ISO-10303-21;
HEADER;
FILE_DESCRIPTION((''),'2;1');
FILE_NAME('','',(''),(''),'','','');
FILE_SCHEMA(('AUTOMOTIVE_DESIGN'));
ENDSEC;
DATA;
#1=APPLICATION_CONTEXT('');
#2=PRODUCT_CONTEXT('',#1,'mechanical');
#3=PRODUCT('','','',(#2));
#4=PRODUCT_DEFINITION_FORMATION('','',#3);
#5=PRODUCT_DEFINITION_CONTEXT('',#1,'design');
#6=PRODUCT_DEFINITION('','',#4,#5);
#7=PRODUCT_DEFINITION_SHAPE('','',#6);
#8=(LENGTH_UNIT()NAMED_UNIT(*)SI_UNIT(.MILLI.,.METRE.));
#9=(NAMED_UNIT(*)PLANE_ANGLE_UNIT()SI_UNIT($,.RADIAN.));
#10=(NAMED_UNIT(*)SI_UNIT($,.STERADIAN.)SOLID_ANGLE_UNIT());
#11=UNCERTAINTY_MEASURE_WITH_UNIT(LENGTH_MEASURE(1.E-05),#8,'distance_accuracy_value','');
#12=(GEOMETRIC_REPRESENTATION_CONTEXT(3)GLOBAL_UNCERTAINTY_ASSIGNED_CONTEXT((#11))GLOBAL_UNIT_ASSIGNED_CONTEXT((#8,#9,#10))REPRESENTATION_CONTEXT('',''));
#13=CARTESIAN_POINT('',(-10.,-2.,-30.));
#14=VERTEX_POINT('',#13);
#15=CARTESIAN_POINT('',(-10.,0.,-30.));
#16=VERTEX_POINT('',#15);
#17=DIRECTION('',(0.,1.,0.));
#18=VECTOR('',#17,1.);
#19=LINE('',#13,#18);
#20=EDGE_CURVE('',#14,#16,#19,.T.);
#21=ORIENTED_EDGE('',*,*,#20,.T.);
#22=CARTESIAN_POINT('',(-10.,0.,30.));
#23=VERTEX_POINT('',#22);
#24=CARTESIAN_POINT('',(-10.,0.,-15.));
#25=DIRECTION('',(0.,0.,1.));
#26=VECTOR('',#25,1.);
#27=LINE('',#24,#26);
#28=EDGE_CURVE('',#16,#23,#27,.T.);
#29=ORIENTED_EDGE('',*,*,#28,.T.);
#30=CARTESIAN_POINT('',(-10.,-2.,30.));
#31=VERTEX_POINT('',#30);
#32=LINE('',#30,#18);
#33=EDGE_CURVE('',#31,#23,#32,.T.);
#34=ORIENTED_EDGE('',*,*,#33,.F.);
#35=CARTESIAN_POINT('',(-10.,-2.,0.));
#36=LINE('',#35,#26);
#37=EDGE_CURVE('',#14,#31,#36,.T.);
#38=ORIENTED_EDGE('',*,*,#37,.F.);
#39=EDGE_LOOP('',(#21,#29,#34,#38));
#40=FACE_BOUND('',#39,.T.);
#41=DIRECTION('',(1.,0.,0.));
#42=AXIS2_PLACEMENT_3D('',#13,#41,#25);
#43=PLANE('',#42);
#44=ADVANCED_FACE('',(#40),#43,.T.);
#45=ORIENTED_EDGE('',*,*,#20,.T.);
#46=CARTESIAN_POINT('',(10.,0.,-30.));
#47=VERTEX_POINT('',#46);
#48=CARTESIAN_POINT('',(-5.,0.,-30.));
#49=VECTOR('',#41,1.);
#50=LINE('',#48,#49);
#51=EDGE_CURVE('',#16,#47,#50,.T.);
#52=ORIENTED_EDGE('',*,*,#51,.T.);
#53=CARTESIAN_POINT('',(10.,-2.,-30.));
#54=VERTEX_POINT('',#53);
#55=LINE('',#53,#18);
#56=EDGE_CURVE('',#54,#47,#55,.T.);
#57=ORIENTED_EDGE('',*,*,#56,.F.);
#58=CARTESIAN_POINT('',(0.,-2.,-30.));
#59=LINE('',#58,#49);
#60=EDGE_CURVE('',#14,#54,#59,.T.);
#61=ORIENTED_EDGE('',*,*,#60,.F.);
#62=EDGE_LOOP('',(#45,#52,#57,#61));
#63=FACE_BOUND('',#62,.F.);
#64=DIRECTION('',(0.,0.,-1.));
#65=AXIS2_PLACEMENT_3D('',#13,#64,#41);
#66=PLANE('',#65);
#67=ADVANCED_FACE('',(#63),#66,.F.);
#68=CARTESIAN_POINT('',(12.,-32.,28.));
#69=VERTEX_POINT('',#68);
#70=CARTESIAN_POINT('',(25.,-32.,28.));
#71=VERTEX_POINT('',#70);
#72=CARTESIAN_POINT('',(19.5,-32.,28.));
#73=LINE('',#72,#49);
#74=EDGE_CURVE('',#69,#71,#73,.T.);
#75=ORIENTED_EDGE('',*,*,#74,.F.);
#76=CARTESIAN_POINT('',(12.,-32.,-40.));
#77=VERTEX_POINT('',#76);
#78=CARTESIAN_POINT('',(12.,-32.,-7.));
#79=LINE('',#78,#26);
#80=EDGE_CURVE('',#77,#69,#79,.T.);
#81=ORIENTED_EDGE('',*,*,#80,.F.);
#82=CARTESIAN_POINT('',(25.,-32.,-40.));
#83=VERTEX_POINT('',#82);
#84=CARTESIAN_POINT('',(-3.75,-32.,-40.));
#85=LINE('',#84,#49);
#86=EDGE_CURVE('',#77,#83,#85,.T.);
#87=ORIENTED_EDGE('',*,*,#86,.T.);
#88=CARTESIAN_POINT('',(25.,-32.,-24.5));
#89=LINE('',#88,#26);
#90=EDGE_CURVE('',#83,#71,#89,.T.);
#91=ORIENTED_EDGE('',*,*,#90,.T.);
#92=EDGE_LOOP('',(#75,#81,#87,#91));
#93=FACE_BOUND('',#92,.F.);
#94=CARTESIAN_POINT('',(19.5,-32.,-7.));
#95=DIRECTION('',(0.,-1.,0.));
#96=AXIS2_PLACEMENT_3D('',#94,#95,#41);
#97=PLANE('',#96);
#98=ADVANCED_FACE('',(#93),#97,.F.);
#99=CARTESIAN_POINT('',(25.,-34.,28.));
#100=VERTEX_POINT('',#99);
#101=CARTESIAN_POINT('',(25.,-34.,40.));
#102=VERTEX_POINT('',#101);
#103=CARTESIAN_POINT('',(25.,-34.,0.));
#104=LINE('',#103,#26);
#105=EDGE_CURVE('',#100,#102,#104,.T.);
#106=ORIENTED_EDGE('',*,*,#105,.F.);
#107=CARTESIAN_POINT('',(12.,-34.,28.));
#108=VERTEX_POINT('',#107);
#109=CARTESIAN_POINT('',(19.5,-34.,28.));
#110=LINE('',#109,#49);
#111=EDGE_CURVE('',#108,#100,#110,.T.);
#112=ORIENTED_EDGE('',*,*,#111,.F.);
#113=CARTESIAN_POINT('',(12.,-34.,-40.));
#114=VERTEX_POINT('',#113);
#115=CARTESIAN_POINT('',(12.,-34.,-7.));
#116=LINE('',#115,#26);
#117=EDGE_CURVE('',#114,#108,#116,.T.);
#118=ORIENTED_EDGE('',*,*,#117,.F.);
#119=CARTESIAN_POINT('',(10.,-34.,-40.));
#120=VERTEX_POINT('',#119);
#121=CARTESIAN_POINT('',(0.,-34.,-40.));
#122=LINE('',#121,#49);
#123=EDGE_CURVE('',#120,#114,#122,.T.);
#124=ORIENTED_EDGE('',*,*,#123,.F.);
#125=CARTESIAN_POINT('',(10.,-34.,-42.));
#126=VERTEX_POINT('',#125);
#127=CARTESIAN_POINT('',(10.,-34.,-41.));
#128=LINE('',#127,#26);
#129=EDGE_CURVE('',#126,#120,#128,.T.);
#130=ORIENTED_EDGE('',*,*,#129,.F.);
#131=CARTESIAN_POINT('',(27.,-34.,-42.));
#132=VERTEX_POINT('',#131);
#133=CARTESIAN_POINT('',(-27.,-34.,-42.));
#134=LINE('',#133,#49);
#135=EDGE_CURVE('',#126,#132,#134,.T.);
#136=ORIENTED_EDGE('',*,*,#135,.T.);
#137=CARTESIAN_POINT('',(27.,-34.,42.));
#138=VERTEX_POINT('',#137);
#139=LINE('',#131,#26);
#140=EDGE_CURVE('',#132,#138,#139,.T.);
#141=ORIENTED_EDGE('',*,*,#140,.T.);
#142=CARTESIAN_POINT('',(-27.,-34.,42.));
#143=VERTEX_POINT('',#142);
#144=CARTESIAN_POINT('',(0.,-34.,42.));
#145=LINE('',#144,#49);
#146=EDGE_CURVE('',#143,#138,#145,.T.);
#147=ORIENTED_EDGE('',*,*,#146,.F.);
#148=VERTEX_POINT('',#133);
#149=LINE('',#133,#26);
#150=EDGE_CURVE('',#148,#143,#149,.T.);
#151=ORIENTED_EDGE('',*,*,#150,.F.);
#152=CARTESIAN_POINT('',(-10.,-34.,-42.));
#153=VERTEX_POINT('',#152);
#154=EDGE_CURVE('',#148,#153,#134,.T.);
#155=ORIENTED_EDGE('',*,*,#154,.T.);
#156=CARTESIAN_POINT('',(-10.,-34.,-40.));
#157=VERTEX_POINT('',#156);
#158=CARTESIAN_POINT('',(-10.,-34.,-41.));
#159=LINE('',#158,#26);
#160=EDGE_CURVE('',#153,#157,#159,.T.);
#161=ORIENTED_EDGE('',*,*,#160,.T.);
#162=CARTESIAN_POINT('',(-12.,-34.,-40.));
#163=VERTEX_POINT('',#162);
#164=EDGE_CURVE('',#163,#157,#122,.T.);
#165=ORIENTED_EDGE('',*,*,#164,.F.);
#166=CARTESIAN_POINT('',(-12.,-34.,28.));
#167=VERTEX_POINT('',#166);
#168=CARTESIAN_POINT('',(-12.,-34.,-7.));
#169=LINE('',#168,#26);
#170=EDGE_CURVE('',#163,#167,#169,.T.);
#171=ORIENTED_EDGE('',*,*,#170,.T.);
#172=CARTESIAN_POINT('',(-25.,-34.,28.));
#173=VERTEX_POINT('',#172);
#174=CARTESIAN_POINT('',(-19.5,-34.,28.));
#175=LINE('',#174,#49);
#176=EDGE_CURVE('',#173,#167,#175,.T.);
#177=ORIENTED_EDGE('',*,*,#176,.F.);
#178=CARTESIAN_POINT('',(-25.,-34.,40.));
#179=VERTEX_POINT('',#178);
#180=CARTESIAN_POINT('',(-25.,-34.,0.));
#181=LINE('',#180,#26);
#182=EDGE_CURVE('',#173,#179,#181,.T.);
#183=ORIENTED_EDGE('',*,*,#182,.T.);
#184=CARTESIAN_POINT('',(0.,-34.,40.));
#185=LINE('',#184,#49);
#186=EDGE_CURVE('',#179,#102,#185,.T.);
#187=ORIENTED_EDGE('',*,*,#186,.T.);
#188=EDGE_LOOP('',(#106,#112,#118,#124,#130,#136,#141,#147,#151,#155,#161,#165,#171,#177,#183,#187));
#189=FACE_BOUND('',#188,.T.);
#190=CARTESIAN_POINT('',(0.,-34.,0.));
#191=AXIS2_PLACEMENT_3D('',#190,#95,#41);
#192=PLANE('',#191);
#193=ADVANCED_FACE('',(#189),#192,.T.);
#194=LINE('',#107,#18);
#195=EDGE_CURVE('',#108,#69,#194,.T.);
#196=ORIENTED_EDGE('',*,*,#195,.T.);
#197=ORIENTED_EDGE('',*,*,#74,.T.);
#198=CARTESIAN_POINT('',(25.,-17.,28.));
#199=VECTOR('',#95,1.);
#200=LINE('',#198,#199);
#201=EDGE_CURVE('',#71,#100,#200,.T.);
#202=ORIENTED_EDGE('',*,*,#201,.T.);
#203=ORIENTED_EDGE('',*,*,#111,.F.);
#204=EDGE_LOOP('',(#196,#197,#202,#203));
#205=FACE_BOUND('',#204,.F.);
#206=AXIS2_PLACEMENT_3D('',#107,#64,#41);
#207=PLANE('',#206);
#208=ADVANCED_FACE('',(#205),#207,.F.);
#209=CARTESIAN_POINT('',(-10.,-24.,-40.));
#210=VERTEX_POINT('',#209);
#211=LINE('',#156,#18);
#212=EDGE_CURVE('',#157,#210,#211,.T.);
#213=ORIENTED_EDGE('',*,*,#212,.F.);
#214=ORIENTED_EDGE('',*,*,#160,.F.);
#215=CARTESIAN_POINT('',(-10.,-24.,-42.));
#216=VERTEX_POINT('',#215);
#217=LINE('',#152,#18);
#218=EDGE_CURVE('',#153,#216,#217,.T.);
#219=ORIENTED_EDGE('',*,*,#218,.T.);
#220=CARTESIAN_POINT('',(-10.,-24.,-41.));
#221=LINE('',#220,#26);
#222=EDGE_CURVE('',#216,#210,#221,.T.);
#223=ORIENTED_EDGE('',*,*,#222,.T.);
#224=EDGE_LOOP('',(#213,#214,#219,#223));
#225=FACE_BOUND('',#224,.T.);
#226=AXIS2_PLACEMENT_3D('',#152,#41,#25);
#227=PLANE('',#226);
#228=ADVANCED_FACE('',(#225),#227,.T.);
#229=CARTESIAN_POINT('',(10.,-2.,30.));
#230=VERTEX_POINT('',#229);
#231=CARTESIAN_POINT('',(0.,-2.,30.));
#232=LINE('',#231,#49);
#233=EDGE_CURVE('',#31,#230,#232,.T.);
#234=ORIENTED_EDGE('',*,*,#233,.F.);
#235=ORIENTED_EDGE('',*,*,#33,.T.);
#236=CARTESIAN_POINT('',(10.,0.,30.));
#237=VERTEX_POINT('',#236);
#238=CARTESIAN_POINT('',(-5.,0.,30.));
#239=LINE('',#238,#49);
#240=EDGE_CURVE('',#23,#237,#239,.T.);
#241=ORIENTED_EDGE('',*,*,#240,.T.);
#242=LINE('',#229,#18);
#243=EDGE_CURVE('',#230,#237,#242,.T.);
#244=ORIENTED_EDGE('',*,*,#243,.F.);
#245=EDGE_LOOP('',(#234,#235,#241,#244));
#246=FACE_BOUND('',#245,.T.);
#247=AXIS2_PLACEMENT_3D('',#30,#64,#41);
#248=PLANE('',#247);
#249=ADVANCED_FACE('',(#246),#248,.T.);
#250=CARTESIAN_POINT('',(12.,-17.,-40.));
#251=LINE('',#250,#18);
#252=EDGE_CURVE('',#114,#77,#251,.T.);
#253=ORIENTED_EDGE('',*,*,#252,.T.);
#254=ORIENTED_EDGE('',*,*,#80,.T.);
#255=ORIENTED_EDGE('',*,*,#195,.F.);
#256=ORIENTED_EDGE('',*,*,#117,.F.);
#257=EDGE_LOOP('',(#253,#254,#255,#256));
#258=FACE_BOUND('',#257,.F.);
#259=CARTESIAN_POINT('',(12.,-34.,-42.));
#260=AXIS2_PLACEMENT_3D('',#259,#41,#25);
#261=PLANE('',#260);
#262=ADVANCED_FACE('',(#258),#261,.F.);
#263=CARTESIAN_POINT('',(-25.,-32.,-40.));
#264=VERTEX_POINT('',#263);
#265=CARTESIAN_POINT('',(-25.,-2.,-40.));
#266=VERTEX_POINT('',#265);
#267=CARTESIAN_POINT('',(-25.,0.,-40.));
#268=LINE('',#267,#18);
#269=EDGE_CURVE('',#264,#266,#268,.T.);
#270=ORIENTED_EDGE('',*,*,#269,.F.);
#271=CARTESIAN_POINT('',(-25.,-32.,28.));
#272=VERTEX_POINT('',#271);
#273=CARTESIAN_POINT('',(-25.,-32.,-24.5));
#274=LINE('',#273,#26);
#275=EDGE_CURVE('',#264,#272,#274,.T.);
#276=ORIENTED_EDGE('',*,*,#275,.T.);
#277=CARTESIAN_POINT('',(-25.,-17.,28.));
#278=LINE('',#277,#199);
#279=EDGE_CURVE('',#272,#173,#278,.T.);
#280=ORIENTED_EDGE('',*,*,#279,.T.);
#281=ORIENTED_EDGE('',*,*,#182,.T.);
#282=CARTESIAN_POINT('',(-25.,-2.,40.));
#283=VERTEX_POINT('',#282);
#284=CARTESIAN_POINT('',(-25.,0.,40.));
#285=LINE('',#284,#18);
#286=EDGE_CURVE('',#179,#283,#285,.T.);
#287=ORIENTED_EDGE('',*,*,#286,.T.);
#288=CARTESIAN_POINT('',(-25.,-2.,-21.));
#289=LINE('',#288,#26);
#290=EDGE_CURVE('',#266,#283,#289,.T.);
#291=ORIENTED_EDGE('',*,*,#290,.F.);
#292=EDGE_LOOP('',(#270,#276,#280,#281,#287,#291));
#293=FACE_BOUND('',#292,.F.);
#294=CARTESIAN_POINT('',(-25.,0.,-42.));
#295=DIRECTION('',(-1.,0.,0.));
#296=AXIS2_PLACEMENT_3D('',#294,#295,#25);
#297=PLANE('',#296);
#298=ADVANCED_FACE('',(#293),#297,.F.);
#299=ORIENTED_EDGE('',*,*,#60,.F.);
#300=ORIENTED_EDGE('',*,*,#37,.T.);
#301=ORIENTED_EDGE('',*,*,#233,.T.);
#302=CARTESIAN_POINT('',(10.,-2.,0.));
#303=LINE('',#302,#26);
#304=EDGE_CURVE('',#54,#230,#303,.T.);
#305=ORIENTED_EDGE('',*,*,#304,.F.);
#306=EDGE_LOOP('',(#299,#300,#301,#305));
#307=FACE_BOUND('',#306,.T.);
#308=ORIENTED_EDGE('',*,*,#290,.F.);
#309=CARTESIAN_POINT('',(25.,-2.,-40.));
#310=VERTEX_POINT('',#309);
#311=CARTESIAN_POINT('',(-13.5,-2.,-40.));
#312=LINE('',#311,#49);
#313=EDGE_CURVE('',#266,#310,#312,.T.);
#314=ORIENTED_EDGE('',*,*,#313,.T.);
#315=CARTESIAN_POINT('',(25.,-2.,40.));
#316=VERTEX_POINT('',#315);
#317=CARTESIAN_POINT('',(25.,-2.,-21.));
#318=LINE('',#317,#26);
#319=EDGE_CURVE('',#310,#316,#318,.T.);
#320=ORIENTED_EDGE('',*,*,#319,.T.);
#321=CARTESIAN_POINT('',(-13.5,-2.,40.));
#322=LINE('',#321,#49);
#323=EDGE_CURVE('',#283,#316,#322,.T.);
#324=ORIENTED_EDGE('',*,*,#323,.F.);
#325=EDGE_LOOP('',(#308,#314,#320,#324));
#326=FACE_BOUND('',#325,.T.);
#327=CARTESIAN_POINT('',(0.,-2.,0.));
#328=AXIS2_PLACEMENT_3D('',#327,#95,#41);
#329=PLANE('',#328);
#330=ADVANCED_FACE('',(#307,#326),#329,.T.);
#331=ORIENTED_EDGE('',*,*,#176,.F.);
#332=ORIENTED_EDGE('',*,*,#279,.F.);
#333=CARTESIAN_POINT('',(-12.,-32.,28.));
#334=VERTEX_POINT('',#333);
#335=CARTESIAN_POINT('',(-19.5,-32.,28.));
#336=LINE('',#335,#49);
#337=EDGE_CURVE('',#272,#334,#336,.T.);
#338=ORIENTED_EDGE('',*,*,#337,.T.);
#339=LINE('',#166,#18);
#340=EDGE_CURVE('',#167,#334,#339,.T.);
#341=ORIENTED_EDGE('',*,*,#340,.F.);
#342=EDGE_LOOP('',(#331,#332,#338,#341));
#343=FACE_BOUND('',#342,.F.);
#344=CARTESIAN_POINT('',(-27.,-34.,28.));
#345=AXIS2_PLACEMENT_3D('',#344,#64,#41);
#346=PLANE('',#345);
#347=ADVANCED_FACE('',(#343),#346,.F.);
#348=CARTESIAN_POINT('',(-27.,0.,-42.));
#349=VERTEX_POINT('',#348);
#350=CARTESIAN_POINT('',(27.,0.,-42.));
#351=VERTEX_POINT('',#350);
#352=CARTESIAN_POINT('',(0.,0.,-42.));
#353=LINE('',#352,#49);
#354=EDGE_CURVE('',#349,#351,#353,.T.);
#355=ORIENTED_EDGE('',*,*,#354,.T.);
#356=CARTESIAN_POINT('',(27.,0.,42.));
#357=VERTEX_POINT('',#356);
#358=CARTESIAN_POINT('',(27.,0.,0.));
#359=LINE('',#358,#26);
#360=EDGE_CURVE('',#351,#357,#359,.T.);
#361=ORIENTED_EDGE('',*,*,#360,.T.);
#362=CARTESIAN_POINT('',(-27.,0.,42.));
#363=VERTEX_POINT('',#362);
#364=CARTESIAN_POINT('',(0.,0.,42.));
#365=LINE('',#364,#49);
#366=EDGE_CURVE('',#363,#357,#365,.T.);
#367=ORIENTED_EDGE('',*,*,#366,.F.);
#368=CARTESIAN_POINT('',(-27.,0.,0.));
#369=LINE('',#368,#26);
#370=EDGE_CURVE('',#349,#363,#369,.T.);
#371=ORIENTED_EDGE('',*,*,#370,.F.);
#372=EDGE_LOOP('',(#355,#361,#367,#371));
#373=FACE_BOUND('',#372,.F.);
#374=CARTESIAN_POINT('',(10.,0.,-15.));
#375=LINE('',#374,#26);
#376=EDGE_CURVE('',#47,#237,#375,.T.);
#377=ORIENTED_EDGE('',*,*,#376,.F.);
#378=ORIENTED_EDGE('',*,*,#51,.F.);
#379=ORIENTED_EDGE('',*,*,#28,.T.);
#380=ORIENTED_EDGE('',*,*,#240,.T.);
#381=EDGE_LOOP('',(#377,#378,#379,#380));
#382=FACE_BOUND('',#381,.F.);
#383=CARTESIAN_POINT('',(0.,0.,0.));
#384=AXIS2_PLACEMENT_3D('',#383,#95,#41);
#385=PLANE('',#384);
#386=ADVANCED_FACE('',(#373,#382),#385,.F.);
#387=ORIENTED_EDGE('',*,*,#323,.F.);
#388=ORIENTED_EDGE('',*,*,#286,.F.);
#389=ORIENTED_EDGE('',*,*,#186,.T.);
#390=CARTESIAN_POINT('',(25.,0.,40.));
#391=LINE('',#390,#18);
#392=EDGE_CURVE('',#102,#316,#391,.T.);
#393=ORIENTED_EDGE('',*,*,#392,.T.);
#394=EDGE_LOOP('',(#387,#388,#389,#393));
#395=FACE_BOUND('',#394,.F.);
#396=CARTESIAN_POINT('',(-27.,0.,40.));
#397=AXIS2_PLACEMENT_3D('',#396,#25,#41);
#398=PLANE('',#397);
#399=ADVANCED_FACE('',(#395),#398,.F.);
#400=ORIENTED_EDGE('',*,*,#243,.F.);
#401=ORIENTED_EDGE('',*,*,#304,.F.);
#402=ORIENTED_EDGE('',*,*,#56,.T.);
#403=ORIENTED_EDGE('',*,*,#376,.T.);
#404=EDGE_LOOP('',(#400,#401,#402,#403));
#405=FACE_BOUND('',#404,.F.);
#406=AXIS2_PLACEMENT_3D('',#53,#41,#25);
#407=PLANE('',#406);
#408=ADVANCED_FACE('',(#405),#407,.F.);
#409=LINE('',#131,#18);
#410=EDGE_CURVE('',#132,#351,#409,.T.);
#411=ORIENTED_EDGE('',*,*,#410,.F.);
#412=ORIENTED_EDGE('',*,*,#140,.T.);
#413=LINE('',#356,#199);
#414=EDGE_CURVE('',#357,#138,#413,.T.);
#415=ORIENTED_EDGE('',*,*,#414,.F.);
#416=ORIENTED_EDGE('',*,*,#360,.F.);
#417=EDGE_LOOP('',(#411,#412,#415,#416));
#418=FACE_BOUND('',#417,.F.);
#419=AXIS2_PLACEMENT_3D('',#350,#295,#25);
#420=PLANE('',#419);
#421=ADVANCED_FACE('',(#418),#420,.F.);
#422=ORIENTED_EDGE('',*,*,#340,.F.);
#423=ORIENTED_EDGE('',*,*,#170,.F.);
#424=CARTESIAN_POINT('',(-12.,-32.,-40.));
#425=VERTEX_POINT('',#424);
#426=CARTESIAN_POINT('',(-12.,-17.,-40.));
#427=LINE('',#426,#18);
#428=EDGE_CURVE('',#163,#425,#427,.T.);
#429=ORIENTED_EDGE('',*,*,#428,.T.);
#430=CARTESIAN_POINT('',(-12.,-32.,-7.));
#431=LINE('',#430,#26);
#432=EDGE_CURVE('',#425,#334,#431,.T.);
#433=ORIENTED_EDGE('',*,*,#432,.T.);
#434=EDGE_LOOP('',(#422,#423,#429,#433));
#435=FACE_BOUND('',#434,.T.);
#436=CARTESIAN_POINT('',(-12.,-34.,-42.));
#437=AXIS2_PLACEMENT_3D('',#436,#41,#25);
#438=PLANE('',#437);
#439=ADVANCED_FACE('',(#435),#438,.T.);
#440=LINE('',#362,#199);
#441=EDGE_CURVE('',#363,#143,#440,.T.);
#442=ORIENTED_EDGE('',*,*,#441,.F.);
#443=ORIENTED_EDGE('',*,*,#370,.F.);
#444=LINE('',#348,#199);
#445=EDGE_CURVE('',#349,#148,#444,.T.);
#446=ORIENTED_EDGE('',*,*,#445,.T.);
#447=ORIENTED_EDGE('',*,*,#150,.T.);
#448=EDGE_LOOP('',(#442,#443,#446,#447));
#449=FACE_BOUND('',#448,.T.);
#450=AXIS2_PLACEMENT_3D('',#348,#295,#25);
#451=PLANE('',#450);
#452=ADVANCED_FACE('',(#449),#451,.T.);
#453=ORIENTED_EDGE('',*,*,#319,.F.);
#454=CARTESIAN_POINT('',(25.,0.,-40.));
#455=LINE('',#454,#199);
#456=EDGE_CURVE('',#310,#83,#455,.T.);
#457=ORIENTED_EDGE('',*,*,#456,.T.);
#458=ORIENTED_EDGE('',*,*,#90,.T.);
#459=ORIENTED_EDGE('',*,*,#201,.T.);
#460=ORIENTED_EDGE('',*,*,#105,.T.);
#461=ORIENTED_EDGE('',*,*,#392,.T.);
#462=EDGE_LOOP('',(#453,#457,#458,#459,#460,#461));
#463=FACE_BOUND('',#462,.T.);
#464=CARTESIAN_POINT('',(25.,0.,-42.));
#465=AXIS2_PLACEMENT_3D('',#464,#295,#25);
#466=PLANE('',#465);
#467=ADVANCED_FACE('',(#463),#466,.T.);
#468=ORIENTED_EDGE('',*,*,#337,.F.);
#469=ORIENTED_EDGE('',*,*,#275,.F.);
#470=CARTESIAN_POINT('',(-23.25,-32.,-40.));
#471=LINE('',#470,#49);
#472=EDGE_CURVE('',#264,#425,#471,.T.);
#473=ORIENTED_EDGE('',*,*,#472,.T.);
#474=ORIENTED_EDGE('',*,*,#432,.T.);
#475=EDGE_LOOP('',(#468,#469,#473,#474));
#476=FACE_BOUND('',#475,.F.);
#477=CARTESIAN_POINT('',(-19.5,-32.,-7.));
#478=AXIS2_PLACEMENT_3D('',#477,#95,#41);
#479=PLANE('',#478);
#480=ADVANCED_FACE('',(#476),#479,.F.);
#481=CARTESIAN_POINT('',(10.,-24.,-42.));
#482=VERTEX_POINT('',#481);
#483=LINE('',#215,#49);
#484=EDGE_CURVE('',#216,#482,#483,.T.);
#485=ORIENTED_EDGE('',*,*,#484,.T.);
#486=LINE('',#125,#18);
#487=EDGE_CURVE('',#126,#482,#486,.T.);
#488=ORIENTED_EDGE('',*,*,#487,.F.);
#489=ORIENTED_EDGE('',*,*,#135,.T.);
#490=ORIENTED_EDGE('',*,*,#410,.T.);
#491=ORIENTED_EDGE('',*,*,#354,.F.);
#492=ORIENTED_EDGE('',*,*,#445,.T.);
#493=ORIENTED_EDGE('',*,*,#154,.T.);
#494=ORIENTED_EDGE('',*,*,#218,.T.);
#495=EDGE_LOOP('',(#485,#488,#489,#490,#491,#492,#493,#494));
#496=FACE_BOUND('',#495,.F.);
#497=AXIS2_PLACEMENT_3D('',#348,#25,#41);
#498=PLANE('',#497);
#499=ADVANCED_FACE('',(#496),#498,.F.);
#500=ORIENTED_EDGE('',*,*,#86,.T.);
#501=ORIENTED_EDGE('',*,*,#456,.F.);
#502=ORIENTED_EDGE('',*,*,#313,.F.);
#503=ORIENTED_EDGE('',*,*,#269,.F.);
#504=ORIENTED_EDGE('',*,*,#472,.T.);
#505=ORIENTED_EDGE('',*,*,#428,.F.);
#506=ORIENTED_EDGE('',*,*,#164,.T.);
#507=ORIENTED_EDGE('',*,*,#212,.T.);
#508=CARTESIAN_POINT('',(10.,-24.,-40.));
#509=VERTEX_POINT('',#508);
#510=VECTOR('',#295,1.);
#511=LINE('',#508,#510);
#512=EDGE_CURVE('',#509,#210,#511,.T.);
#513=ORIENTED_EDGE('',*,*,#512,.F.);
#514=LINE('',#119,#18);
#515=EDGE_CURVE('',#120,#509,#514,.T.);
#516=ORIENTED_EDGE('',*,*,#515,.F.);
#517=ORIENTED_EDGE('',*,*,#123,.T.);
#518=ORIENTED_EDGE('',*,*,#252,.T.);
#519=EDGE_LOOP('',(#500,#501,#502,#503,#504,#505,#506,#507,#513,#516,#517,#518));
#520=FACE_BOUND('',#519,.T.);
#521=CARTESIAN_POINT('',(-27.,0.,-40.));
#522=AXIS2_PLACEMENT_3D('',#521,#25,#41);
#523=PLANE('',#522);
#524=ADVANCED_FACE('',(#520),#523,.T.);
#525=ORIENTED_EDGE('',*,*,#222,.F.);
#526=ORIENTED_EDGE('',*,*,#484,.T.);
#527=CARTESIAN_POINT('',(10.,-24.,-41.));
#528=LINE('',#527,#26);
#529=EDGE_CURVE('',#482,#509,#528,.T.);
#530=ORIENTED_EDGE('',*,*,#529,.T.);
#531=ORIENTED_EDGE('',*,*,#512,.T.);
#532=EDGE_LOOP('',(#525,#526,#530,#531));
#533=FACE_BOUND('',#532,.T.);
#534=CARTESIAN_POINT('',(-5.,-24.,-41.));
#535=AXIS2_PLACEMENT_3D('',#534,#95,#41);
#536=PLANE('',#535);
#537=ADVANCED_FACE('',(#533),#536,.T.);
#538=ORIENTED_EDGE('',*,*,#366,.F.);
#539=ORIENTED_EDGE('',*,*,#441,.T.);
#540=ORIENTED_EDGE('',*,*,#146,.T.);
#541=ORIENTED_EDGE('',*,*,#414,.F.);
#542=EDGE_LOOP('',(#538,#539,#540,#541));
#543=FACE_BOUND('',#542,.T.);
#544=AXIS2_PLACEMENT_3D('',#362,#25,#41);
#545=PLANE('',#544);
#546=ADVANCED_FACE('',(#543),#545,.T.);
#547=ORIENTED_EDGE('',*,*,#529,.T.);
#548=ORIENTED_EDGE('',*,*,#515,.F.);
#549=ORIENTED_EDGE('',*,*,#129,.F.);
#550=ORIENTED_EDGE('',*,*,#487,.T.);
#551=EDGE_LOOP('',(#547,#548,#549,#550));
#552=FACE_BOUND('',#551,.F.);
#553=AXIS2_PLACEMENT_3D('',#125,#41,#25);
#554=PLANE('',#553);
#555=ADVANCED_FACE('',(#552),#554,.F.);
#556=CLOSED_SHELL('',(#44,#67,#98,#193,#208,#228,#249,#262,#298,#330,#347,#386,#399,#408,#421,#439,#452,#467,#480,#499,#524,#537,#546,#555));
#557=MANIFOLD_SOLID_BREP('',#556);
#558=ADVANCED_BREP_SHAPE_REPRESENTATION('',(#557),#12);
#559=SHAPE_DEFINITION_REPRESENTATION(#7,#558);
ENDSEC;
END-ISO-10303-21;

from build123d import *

# Parameters (mm, degrees)
F0_W      = 54
F0_H      = 84
F1_DEPTH  = 34
F2_T      = -2
F3_W      = 20
F3_H      = 60
F4_DEPTH  = 25
F5_W      = 15
F5_H      = 70
F6_DEPTH  = 2
F7_W      = 15
F7_H      = 70
F8_DEPTH  = 2
F9_W      = 10
F9_H      = 2
F10_DEPTH = 10


with BuildPart() as f1:
    # F0 (on Front) → F1 (new body)
    with BuildSketch(Plane.XZ):
        Rectangle(F0_W, F0_H)
    extrude(amount=F1_DEPTH)

    # F2
    f2_openings = [f1.faces().sort_by_distance(p)[0] for p in [
        (0, -34, 0),
    ]]
    offset(amount=F2_T, openings=f2_openings)

    # F3 (on face) → F4 (cut)
    with BuildSketch(Plane.XZ.offset(2)):
        Rectangle(F3_W, F3_H)
    extrude(amount=-F4_DEPTH, mode=Mode.SUBTRACT)

    # F5 (on face) → F6 (join)
    with BuildSketch(Plane.XZ.offset(34)):
        with Locations((-19.5, -7)):
            Rectangle(F5_W, F5_H)
    extrude(amount=-F6_DEPTH)

    # F7 (on face) → F8 (join)
    with BuildSketch(Plane.XZ.offset(34)):
        with Locations((19.5, -7)):
            Rectangle(F7_W, F7_H)
    extrude(amount=-F8_DEPTH)

    # F9 (on face) → F10 (cut)
    with BuildSketch(Plane.XZ.offset(34)):
        with Locations((-5, -41)):
            Rectangle(F9_W, F9_H)
        with Locations((5, -41)):
            Rectangle(F9_W, F9_H)
    extrude(amount=-F10_DEPTH, mode=Mode.SUBTRACT)


solid = f1.part
